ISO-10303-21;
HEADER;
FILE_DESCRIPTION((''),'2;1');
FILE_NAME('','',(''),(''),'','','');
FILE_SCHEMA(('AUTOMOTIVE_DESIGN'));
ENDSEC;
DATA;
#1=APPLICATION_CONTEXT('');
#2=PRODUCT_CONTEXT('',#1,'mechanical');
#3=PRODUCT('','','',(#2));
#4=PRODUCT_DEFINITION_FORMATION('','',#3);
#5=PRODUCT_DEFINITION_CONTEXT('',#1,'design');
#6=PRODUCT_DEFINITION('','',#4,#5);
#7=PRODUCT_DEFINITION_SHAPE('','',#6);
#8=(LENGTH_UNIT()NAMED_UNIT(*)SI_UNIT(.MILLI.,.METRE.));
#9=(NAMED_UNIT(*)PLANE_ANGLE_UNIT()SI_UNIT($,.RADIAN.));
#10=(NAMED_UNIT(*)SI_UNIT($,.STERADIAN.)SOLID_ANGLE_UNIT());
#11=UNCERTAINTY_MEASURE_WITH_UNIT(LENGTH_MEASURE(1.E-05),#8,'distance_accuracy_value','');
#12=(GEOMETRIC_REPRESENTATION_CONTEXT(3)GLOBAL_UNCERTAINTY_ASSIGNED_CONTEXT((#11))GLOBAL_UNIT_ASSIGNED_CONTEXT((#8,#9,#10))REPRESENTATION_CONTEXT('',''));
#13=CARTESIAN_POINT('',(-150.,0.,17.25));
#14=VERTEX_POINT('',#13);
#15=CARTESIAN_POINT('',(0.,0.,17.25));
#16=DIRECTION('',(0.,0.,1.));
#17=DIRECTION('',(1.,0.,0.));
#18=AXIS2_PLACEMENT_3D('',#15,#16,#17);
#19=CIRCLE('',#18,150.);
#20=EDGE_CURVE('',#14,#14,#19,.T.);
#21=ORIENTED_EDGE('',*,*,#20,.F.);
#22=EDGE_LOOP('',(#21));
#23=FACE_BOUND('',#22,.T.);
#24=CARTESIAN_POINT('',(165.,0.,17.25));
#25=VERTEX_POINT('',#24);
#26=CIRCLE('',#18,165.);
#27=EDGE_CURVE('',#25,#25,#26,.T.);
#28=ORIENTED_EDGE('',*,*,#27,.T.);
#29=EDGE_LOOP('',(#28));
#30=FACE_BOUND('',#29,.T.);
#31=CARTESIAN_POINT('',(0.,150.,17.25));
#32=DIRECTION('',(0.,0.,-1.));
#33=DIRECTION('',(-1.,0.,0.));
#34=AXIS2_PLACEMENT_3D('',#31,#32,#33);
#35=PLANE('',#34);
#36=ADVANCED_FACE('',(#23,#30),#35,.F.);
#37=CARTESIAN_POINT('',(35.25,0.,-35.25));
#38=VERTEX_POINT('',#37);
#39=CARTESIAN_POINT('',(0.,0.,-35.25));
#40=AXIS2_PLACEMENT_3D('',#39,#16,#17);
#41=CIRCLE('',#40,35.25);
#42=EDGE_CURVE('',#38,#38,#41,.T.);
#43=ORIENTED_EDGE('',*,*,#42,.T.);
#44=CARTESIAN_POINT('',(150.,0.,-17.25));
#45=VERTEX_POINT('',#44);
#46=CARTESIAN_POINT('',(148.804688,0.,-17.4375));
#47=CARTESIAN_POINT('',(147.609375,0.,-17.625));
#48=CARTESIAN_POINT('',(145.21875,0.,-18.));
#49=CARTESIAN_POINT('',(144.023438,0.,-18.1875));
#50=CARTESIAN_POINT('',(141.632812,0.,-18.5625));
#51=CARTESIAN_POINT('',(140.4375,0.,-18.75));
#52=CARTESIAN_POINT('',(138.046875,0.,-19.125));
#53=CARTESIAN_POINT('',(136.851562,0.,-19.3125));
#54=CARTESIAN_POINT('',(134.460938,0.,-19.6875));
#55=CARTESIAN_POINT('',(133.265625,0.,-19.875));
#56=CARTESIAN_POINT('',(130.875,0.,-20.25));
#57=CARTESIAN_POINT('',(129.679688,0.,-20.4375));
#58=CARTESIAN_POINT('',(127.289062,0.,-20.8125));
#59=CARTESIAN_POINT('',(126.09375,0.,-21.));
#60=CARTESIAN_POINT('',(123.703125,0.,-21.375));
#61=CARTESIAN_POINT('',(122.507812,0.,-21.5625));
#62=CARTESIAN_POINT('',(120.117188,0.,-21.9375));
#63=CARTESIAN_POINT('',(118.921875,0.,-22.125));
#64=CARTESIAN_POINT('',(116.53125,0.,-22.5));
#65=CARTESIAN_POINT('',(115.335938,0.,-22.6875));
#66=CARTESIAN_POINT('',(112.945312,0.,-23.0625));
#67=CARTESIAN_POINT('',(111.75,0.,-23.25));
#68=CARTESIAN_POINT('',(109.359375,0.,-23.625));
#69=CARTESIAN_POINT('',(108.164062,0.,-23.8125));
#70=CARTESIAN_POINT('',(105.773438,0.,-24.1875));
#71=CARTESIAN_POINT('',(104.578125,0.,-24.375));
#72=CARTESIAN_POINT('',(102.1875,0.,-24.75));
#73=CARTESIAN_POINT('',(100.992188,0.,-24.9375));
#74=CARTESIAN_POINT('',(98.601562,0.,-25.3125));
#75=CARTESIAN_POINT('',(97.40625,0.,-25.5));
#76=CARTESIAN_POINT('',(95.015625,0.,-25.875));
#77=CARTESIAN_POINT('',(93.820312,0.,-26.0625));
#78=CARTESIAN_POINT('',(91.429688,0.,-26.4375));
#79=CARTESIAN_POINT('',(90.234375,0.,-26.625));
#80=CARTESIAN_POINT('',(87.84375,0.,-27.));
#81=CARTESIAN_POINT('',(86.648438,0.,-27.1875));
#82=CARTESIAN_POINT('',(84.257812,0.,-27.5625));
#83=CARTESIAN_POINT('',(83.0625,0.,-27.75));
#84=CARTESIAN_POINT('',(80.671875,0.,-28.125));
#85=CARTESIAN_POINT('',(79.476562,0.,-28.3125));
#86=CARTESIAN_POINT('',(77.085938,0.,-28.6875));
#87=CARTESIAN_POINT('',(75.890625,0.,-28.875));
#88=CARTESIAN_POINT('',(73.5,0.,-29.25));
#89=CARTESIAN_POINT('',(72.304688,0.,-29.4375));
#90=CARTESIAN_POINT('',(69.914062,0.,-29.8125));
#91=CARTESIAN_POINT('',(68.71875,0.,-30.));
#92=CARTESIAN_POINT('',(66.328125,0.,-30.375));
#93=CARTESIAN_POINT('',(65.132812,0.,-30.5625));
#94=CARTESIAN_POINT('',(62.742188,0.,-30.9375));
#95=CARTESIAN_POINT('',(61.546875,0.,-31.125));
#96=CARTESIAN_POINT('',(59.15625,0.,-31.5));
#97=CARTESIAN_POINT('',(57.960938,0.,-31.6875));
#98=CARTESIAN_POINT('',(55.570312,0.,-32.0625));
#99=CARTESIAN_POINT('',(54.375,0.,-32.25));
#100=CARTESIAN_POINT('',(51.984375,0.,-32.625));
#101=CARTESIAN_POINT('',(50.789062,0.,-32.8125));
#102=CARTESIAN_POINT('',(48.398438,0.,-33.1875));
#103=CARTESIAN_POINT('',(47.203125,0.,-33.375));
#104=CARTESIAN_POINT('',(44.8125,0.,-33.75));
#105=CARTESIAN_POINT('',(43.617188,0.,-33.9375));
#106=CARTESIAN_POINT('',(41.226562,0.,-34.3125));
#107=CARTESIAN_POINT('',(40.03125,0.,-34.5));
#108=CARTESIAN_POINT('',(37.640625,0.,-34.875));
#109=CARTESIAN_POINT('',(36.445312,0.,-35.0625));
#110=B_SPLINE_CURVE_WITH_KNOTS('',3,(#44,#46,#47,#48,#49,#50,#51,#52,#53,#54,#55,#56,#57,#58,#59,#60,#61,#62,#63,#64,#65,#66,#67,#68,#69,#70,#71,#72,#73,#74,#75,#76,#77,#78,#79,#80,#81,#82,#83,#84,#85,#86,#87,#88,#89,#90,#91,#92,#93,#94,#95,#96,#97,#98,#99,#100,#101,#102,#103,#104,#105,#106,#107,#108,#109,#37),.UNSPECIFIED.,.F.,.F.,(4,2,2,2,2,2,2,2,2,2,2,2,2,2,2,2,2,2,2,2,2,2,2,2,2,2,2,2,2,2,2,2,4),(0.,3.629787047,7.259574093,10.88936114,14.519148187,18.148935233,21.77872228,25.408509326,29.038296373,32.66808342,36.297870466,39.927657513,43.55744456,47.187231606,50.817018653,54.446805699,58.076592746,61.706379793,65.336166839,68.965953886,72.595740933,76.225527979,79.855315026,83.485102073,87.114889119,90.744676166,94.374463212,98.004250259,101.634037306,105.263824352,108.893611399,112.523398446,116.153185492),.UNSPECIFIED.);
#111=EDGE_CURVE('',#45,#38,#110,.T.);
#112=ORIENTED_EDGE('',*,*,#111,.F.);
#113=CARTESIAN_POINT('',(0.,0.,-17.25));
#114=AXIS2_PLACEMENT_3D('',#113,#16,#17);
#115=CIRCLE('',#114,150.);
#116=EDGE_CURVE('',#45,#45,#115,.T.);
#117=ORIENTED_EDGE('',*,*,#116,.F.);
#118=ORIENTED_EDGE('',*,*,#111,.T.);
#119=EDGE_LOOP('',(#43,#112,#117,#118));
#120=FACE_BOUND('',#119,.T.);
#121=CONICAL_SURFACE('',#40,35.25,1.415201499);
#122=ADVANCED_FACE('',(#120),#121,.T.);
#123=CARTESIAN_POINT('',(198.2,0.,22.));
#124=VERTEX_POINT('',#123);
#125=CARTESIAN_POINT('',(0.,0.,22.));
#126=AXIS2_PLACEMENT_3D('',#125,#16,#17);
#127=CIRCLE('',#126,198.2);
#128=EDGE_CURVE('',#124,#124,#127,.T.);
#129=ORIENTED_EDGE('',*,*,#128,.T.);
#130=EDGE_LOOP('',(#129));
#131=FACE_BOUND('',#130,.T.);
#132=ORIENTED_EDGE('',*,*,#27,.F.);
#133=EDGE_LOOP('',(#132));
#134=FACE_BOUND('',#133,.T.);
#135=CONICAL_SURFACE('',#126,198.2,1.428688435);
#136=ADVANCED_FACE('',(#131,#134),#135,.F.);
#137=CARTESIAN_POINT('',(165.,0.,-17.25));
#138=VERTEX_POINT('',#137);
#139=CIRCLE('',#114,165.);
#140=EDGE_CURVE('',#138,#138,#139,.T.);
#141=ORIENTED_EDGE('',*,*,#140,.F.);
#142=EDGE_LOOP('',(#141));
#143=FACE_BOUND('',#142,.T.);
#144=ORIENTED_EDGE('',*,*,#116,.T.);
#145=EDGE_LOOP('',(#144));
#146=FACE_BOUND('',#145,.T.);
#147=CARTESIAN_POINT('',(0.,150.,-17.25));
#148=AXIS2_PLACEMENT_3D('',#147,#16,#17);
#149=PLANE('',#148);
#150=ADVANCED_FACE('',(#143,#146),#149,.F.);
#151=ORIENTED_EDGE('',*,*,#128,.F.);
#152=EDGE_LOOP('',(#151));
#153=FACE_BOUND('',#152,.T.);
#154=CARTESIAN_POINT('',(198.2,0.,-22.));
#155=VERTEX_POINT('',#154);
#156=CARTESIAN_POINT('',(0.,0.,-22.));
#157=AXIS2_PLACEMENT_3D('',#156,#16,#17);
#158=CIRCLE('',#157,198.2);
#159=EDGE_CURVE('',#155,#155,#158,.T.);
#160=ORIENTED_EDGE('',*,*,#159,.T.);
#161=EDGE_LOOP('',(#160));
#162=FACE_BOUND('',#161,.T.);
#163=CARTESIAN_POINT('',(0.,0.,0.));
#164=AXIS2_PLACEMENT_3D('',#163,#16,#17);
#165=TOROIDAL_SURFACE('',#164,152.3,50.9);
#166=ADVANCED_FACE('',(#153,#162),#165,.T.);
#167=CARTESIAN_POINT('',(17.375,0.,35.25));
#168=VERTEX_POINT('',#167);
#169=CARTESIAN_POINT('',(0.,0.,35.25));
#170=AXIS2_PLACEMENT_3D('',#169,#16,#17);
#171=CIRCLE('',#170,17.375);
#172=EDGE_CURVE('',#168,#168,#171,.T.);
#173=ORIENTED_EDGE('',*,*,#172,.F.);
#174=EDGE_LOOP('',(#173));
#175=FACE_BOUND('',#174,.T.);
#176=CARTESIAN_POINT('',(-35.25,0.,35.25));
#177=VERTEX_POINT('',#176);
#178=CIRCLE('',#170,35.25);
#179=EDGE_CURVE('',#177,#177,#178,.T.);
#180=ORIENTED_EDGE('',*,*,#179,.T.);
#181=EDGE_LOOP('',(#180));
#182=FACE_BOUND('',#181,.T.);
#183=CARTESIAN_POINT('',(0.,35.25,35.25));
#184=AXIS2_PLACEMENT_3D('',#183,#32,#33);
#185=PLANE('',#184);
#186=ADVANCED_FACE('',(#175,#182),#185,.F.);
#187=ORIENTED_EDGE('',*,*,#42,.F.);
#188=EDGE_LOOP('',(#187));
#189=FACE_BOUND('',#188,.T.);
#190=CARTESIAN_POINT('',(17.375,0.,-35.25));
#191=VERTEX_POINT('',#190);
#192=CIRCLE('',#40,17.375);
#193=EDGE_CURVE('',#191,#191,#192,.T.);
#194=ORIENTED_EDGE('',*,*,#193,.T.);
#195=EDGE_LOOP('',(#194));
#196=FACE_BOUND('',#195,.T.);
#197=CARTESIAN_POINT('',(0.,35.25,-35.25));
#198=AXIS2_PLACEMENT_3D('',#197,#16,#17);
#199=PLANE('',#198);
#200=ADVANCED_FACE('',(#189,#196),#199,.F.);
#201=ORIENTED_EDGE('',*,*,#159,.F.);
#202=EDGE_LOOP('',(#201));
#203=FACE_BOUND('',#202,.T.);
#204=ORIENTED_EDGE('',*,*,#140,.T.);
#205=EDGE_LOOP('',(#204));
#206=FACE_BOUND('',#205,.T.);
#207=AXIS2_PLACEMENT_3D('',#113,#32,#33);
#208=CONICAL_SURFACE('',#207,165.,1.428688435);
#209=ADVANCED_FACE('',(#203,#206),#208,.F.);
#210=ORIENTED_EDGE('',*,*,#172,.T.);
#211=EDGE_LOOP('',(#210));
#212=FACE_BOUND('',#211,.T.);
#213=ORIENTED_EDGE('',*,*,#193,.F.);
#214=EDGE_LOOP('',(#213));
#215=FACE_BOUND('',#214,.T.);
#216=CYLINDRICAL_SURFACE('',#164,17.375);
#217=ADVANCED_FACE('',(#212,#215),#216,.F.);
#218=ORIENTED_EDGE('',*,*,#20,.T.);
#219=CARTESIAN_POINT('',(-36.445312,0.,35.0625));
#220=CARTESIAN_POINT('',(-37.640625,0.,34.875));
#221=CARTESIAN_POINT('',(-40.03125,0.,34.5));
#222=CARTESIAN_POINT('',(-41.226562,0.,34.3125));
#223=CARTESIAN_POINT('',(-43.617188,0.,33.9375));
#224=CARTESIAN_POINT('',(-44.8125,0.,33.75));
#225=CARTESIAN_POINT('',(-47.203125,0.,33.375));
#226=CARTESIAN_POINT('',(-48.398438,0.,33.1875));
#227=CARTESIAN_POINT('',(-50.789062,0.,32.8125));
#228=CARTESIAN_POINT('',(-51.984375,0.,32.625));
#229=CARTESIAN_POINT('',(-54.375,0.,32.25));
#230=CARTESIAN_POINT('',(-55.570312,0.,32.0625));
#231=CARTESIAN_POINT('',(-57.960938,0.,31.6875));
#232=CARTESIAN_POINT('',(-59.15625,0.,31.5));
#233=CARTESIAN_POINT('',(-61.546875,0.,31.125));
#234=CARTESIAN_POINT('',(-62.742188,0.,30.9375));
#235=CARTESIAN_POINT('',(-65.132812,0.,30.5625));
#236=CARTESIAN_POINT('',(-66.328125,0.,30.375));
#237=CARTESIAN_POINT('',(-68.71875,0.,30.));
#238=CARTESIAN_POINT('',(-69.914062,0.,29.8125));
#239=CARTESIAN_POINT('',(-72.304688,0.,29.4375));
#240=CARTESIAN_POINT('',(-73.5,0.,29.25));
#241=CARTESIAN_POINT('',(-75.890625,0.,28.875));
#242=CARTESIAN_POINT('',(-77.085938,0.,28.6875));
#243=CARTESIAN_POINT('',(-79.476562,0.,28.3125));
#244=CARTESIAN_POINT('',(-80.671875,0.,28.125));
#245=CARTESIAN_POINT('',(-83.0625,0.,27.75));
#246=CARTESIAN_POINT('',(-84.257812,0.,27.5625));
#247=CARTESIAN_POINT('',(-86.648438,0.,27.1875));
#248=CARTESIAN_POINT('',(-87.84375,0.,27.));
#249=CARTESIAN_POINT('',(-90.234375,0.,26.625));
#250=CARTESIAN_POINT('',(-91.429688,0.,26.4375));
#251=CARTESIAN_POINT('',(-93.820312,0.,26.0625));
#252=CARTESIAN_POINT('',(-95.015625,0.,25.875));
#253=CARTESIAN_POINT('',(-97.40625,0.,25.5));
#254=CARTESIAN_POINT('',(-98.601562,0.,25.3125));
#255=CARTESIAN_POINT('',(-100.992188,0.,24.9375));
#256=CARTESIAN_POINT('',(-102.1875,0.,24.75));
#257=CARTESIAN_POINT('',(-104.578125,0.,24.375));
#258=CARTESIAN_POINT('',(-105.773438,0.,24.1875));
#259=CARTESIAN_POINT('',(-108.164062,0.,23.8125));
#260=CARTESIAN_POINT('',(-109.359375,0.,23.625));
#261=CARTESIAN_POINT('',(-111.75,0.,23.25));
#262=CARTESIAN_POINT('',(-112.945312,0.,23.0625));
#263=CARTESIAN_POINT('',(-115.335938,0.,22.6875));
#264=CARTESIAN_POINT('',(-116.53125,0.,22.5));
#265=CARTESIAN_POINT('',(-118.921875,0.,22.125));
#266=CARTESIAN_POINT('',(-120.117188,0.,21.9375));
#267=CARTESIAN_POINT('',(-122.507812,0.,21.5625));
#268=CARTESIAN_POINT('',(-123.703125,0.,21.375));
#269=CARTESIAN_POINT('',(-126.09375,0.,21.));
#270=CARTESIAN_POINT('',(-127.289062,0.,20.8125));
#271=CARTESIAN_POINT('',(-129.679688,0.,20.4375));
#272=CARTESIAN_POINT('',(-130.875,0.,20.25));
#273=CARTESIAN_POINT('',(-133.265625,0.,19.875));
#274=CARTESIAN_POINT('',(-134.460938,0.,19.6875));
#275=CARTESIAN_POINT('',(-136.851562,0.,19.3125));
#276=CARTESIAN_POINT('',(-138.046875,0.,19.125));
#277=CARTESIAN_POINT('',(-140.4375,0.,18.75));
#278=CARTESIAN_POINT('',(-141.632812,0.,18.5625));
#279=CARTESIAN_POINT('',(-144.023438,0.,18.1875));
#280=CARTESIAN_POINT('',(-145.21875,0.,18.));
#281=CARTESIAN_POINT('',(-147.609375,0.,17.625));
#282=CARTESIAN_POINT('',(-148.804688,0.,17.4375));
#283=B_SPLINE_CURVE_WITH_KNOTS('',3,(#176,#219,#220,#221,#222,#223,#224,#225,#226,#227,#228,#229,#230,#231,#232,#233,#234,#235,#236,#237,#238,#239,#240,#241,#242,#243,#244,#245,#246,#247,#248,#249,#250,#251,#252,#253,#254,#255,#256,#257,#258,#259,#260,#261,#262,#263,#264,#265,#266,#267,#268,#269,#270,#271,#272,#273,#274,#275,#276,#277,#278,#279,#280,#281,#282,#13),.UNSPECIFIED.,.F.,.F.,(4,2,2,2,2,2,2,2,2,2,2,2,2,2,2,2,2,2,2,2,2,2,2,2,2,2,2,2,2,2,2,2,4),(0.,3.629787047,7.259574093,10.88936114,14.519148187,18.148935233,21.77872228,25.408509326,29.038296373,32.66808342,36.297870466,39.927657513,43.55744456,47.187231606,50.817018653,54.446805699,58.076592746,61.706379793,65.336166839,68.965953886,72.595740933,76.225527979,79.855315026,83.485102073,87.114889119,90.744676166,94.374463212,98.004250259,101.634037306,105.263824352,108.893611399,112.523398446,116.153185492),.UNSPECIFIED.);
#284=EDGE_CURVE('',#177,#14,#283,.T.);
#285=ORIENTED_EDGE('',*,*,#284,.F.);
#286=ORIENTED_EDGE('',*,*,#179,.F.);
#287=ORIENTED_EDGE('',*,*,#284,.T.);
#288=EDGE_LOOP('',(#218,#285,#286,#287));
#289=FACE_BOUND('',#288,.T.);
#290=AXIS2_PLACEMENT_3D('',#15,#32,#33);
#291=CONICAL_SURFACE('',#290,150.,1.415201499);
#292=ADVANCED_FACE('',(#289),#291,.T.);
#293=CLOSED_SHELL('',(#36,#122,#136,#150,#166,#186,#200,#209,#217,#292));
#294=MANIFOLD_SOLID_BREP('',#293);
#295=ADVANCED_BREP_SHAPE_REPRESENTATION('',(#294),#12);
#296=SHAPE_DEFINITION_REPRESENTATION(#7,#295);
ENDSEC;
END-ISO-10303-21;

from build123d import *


with BuildPart() as part:
    # Sketch1 → Revolve1 (revolve)
    with BuildSketch(Plane(origin=(0, 0, 0), x_dir=(0, 0, -1), z_dir=(1, 0, 0)), mode=Mode.PRIVATE) as revolve1_sk:
        with BuildLine():
            Line((35.25, 35.25), (17.25, 150))
            Line((17.25, 150), (17.25, 165))
            Line((17.25, 165), (22, 198.2))
            ThreePointArc((22, 198.2), (0, 203.2), (-22, 198.2))
            Line((-22, 198.2), (-17.25, 165))
            Line((-17.25, 165), (-17.25, 150))
            Line((-17.25, 150), (-35.25, 35.25))
            Line((-35.25, 35.25), (-35.25, 17.375))
            Line((-35.25, 17.375), (35.25, 17.375))
            Line((35.25, 17.375), (35.25, 35.25))
        make_face()
    revolve(revolve1_sk.sketch.rotate(Axis((0, 0, 0), (0, 0, -1)), 90), axis=Axis((0, 0, 0), (0, 0, -1)))


solid = part.part
